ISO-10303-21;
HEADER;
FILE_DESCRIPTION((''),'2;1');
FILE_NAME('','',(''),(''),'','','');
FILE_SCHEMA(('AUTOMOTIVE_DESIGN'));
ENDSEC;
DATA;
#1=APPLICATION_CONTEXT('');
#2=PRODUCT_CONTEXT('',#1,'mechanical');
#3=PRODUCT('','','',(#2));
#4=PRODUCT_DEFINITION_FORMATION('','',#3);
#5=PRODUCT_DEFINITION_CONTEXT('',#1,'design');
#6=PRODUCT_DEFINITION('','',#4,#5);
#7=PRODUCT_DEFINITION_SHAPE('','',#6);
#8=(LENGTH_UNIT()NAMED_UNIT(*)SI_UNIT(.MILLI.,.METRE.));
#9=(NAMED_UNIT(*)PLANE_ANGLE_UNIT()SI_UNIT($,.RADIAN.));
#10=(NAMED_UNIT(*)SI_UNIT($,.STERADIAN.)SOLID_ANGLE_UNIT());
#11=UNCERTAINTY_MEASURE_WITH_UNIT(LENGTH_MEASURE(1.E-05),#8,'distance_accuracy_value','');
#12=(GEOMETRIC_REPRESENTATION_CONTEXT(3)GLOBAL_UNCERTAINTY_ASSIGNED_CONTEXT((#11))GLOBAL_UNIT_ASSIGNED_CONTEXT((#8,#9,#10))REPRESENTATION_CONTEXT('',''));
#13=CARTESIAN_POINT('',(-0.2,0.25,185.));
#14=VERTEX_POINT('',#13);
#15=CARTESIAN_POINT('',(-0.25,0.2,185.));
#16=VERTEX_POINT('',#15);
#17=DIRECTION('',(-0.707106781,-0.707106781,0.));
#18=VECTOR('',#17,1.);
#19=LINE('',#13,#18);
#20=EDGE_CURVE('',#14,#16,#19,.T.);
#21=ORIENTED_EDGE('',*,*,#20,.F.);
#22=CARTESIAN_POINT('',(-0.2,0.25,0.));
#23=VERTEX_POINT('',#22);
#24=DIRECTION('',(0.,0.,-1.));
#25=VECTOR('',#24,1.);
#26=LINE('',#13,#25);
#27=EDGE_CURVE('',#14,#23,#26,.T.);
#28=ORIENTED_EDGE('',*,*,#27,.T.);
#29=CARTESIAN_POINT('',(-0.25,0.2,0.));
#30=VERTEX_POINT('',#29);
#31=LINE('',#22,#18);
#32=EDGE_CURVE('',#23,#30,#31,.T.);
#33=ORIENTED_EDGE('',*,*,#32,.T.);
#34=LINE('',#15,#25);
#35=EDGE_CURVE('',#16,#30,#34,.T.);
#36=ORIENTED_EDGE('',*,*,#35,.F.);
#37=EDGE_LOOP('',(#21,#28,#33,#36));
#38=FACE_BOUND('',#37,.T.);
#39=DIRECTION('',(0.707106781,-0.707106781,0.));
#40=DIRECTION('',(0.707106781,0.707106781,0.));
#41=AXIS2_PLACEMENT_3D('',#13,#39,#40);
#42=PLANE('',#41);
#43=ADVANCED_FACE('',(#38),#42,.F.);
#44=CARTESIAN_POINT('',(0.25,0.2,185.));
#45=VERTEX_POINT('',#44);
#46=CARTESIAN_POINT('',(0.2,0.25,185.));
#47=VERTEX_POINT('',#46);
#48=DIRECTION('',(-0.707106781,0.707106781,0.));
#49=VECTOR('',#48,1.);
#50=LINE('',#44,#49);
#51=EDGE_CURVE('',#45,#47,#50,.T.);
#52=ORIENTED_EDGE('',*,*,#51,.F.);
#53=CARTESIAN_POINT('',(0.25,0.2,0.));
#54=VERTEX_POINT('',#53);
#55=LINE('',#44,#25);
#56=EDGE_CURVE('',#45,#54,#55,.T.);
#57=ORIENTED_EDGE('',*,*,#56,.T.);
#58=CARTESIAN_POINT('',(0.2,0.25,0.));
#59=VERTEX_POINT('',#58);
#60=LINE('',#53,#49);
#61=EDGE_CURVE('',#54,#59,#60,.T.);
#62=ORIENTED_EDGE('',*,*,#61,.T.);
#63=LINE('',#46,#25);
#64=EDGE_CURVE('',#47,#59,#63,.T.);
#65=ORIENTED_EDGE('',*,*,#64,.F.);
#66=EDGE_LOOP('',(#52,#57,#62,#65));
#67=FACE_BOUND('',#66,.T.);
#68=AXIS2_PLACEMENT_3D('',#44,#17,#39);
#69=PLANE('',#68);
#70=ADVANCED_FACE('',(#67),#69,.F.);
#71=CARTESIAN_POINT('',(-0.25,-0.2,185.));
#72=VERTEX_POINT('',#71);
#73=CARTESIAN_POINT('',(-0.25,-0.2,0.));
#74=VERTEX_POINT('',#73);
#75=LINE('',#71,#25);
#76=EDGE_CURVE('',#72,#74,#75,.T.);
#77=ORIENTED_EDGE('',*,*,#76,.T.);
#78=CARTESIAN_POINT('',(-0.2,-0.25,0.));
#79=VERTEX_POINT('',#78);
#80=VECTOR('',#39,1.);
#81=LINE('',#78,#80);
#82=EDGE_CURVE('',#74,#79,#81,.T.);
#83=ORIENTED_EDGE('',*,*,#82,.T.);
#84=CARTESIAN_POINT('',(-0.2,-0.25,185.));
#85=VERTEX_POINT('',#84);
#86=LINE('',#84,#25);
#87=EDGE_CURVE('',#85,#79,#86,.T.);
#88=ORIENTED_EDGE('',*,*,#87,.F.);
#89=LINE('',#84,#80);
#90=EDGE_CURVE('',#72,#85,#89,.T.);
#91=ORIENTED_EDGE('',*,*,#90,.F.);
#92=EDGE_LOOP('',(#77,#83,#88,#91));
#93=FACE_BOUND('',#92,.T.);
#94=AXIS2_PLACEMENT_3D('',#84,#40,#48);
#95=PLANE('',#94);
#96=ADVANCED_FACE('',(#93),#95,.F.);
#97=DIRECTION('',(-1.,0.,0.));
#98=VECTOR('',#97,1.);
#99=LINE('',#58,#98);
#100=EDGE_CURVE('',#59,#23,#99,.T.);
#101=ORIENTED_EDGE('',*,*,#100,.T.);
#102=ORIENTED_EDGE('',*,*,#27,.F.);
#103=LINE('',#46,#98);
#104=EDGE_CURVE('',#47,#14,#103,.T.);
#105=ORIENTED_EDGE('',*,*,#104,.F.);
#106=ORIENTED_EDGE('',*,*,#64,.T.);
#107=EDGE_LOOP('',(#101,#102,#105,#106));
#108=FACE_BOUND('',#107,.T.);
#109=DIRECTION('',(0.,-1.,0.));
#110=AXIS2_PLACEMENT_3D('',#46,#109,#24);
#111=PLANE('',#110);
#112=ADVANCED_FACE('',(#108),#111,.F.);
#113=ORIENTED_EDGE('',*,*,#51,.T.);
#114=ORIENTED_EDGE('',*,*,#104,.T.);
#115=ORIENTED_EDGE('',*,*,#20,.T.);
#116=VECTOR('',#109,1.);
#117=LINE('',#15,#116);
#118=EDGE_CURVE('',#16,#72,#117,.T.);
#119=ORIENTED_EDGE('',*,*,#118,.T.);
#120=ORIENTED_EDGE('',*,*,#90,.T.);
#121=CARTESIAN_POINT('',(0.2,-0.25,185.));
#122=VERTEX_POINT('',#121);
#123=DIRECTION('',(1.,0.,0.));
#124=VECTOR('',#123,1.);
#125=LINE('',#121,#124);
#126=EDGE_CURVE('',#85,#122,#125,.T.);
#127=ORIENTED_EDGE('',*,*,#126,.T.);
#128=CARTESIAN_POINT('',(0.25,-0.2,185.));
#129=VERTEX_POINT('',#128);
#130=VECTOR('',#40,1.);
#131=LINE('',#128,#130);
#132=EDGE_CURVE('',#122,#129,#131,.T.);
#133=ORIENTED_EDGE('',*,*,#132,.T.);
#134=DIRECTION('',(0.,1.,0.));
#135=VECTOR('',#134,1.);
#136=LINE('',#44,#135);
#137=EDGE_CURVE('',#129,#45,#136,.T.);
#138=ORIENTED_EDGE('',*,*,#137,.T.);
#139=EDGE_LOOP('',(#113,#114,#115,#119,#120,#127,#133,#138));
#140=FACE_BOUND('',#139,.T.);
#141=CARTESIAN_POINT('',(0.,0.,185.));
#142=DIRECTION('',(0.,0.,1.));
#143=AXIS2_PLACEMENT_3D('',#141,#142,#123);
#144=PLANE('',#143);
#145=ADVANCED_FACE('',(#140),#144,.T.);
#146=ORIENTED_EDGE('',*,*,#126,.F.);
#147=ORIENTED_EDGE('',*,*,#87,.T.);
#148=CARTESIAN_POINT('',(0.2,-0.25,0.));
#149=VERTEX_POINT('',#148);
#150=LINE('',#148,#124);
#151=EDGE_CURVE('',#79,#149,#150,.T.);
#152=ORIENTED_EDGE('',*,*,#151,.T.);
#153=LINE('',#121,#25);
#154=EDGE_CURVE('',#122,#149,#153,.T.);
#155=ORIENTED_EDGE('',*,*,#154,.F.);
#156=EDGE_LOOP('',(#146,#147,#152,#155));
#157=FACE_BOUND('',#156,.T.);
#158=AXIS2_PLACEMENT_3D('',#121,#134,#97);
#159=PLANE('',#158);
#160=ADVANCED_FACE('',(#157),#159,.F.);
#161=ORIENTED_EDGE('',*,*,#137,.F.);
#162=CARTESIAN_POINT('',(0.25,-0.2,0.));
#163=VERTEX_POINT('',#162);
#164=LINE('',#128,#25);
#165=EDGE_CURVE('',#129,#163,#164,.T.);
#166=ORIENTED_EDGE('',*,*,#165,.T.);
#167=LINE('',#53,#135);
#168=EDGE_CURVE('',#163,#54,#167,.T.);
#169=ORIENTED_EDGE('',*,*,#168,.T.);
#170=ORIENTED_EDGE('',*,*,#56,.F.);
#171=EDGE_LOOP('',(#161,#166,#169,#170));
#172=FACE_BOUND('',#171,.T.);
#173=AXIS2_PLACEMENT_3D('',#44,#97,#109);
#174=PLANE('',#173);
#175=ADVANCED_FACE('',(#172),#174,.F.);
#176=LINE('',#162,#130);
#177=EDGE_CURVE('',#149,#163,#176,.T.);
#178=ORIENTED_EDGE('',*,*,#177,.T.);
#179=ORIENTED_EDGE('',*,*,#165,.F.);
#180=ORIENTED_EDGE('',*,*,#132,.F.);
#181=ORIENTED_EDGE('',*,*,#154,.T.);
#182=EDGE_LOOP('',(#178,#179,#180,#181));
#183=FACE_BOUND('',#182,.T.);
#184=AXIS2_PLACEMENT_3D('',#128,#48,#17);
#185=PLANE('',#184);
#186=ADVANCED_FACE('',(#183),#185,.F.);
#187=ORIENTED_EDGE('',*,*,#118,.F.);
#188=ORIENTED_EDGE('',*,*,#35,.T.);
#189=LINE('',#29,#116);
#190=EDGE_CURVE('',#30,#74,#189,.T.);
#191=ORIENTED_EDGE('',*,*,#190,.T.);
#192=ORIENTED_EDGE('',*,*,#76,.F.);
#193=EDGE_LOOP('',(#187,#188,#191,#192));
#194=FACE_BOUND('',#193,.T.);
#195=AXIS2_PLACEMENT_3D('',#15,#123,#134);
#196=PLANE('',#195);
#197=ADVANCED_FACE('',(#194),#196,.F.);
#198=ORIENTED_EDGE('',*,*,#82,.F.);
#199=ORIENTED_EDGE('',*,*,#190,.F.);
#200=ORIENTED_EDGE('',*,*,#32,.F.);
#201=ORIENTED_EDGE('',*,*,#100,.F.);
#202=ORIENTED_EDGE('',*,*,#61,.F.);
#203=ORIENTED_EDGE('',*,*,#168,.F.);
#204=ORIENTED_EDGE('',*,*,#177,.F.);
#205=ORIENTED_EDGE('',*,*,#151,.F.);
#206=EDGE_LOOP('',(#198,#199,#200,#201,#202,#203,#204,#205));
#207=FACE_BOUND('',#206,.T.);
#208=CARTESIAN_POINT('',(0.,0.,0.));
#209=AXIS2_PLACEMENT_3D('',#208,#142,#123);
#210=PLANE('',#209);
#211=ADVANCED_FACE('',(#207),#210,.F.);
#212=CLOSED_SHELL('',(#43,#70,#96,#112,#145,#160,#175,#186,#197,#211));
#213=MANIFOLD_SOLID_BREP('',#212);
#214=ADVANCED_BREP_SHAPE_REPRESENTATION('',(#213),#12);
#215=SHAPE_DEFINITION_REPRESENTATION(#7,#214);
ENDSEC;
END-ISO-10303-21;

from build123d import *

# Parameters (mm, degrees)
BOSS_EXTRUDE1_DEPTH = 185


with BuildPart() as part:
    # Sketch1 → Boss-Extrude1 (new body)
    with BuildSketch(Plane.XY):
        Polygon((-0.2, 0.25), (-0.25, 0.2), (-0.25, -0.2), (-0.2, -0.25), (0.2, -0.25), (0.25, -0.2), (0.25, 0.2), (0.2, 0.25), align=None)
    extrude(amount=BOSS_EXTRUDE1_DEPTH)


solid = part.part
